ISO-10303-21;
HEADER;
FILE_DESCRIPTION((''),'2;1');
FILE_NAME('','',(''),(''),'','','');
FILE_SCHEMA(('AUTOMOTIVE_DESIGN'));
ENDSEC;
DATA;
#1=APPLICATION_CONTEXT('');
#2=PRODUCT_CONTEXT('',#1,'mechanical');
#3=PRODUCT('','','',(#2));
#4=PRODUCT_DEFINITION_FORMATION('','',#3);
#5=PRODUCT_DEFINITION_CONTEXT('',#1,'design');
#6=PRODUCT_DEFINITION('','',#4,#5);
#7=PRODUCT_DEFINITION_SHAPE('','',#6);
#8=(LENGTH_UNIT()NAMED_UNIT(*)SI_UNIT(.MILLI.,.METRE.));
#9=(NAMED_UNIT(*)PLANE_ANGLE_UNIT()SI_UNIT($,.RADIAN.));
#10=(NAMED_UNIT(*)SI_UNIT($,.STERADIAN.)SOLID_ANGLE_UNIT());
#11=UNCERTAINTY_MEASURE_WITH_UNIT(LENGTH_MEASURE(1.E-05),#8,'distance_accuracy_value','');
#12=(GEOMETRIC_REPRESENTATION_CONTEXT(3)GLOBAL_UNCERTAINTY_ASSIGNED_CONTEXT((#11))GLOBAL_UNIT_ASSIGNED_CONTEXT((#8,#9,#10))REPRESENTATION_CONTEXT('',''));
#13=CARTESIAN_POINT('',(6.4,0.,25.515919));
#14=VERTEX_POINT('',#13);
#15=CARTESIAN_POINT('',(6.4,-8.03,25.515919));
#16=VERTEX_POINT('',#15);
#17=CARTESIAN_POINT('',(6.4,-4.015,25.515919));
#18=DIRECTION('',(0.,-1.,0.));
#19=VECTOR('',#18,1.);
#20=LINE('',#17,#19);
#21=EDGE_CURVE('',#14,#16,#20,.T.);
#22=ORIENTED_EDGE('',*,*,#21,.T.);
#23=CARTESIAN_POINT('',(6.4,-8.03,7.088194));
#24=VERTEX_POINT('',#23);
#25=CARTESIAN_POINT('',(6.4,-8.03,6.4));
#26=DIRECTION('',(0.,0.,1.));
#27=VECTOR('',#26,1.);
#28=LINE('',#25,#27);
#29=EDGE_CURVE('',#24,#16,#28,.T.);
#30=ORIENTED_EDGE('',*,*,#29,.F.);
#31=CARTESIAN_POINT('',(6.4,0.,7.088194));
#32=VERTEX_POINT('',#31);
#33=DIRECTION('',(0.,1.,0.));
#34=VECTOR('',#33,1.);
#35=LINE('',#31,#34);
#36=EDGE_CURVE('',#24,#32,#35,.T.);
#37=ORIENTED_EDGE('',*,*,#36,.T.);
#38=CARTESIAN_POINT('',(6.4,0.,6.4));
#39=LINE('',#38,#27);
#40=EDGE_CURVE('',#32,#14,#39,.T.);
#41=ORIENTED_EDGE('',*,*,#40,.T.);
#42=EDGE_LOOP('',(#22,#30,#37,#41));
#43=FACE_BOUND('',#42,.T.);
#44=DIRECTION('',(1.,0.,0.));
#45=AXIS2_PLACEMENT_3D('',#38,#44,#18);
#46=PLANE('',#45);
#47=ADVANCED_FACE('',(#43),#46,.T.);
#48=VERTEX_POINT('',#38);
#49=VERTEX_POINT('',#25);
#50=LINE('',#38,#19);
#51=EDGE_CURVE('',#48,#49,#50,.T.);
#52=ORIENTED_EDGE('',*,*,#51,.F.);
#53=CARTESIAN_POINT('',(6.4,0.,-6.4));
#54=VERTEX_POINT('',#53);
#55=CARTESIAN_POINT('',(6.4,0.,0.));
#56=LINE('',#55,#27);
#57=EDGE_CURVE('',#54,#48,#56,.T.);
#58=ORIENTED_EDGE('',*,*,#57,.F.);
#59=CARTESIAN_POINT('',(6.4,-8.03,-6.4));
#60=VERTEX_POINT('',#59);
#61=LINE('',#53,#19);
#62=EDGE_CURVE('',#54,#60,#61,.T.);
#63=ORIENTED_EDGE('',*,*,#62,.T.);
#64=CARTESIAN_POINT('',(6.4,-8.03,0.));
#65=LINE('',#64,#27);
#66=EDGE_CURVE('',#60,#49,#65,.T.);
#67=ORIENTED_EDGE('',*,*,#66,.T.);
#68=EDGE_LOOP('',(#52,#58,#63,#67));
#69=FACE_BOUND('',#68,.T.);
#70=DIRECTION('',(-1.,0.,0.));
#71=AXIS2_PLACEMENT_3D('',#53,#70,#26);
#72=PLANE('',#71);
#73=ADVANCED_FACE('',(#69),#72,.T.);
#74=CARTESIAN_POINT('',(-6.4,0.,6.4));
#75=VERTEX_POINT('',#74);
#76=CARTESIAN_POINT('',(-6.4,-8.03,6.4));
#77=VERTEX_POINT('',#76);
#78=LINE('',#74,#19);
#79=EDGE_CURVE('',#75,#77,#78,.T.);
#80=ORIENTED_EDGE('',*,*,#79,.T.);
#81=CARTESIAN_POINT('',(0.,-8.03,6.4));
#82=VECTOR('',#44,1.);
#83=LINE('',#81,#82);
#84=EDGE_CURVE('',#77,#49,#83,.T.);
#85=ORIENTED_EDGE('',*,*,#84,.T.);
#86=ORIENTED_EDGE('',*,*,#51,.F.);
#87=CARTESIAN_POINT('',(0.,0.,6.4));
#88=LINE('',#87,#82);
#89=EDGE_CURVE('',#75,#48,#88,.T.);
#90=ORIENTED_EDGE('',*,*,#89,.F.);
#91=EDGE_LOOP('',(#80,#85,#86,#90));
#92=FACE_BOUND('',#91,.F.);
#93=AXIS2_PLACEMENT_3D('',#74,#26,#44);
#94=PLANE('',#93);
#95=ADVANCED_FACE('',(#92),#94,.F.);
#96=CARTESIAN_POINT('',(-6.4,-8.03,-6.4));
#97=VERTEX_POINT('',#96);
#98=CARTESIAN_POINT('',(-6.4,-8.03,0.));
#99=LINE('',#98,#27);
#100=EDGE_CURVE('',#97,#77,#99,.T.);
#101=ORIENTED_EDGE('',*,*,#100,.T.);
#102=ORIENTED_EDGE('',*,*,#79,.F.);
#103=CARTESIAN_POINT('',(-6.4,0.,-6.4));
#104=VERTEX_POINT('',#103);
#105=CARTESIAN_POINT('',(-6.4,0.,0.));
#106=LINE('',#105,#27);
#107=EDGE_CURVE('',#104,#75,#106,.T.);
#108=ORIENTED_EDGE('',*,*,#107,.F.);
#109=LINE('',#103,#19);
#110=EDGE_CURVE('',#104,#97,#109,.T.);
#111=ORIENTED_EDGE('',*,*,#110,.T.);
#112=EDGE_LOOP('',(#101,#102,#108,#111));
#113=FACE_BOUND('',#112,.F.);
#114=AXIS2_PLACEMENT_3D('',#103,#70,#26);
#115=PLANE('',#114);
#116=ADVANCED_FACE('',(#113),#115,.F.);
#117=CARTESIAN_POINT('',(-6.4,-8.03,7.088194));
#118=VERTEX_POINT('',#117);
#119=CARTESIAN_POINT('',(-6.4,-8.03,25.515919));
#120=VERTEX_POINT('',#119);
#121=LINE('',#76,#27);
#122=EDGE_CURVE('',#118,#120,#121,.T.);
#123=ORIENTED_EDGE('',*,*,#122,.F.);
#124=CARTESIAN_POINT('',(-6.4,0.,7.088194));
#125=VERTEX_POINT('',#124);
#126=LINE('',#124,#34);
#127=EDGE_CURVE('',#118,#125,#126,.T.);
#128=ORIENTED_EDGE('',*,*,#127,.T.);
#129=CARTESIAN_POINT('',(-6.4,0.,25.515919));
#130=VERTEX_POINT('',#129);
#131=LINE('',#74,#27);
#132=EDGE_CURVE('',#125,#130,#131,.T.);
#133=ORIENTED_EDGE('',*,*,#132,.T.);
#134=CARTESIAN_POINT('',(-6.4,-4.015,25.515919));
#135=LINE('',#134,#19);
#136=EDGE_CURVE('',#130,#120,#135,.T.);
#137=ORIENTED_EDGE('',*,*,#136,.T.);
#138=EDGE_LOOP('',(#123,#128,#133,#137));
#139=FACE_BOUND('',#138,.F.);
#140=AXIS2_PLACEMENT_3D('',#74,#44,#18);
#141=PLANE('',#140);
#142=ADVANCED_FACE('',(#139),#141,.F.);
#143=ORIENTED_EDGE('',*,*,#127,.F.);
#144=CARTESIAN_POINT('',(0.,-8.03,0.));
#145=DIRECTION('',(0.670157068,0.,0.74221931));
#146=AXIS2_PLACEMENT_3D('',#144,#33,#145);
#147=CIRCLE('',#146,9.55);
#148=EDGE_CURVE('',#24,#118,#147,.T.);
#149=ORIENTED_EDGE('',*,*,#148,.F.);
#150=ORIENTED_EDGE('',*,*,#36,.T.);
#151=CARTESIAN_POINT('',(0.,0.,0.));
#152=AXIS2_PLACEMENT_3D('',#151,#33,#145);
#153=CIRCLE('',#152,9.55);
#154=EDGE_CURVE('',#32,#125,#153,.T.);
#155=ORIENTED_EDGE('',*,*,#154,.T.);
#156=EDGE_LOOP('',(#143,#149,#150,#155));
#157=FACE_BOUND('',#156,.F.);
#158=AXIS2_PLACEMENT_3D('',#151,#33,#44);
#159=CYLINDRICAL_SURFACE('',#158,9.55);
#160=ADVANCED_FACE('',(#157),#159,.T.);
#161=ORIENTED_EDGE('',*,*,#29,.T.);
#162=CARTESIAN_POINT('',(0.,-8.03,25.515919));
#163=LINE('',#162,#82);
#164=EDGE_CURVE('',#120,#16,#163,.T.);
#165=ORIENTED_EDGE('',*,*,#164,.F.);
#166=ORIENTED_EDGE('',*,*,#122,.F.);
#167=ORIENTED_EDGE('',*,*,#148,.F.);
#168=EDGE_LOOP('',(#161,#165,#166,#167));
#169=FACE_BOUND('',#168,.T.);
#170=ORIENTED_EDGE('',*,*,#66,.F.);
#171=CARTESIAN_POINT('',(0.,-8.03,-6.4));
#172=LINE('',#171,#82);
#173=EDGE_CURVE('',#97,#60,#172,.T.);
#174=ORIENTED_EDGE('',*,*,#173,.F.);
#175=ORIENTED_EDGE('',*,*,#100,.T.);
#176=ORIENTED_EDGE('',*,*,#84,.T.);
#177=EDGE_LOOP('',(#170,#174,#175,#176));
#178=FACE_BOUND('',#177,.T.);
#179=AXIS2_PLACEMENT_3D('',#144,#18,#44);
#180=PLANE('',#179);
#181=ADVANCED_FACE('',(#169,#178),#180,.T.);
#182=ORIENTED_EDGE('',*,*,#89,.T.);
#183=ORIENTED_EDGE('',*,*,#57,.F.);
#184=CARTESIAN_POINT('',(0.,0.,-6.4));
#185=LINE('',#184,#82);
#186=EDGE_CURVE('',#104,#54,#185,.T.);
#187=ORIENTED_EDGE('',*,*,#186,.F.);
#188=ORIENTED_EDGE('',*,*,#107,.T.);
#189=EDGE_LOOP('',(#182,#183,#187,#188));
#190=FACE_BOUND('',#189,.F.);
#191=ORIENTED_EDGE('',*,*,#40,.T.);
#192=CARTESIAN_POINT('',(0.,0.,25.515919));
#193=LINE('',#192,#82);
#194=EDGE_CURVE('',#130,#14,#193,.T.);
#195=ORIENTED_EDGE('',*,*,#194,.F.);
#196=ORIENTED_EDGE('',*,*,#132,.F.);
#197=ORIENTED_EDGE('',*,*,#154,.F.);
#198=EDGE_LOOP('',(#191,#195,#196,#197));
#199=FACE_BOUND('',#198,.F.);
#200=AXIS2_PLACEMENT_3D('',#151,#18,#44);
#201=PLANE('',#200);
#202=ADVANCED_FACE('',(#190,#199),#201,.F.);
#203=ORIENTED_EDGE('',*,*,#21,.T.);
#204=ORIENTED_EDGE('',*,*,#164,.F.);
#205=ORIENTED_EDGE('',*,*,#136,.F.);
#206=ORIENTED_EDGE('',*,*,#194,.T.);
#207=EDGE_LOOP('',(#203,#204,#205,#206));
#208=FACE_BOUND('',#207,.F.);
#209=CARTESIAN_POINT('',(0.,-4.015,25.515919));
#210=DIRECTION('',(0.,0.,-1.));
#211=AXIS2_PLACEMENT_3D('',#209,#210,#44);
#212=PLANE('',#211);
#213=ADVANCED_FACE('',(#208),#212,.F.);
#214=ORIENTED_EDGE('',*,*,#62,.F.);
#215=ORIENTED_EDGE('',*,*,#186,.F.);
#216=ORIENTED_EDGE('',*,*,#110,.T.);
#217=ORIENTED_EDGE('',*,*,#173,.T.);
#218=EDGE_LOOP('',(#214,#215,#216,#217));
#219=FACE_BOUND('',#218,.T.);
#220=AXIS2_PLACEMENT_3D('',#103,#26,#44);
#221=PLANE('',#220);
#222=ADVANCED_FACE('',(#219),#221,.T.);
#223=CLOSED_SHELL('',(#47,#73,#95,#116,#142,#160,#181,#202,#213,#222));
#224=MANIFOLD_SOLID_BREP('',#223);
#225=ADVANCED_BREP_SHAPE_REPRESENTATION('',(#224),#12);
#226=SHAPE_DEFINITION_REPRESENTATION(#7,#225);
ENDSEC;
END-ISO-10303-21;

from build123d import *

# Parameters (mm, degrees)
F0_R      = 9.55
F0_W      = 12.8
F0_H      = 12.8
F1_DEPTH  = 8.03
F1_FACE_W = 12.8
F1_FACE_H = 8.03
F2_DEPTH  = 19.115919


with BuildPart() as f1:
    # F0 (on Front) → F1 (new body)
    with BuildSketch(Plane.XZ):
        Circle(F0_R)
        Rectangle(F0_W, F0_H, mode=Mode.SUBTRACT)
    extrude(amount=F1_DEPTH)

    # F1_face (on face) → F2 (join)
    with BuildSketch(Plane(origin=(0, -4.015, 6.4), x_dir=(1, 0, 0), z_dir=(0, 0, -1))):
        Rectangle(F1_FACE_W, F1_FACE_H)
    extrude(amount=-F2_DEPTH)


solid = f1.part
